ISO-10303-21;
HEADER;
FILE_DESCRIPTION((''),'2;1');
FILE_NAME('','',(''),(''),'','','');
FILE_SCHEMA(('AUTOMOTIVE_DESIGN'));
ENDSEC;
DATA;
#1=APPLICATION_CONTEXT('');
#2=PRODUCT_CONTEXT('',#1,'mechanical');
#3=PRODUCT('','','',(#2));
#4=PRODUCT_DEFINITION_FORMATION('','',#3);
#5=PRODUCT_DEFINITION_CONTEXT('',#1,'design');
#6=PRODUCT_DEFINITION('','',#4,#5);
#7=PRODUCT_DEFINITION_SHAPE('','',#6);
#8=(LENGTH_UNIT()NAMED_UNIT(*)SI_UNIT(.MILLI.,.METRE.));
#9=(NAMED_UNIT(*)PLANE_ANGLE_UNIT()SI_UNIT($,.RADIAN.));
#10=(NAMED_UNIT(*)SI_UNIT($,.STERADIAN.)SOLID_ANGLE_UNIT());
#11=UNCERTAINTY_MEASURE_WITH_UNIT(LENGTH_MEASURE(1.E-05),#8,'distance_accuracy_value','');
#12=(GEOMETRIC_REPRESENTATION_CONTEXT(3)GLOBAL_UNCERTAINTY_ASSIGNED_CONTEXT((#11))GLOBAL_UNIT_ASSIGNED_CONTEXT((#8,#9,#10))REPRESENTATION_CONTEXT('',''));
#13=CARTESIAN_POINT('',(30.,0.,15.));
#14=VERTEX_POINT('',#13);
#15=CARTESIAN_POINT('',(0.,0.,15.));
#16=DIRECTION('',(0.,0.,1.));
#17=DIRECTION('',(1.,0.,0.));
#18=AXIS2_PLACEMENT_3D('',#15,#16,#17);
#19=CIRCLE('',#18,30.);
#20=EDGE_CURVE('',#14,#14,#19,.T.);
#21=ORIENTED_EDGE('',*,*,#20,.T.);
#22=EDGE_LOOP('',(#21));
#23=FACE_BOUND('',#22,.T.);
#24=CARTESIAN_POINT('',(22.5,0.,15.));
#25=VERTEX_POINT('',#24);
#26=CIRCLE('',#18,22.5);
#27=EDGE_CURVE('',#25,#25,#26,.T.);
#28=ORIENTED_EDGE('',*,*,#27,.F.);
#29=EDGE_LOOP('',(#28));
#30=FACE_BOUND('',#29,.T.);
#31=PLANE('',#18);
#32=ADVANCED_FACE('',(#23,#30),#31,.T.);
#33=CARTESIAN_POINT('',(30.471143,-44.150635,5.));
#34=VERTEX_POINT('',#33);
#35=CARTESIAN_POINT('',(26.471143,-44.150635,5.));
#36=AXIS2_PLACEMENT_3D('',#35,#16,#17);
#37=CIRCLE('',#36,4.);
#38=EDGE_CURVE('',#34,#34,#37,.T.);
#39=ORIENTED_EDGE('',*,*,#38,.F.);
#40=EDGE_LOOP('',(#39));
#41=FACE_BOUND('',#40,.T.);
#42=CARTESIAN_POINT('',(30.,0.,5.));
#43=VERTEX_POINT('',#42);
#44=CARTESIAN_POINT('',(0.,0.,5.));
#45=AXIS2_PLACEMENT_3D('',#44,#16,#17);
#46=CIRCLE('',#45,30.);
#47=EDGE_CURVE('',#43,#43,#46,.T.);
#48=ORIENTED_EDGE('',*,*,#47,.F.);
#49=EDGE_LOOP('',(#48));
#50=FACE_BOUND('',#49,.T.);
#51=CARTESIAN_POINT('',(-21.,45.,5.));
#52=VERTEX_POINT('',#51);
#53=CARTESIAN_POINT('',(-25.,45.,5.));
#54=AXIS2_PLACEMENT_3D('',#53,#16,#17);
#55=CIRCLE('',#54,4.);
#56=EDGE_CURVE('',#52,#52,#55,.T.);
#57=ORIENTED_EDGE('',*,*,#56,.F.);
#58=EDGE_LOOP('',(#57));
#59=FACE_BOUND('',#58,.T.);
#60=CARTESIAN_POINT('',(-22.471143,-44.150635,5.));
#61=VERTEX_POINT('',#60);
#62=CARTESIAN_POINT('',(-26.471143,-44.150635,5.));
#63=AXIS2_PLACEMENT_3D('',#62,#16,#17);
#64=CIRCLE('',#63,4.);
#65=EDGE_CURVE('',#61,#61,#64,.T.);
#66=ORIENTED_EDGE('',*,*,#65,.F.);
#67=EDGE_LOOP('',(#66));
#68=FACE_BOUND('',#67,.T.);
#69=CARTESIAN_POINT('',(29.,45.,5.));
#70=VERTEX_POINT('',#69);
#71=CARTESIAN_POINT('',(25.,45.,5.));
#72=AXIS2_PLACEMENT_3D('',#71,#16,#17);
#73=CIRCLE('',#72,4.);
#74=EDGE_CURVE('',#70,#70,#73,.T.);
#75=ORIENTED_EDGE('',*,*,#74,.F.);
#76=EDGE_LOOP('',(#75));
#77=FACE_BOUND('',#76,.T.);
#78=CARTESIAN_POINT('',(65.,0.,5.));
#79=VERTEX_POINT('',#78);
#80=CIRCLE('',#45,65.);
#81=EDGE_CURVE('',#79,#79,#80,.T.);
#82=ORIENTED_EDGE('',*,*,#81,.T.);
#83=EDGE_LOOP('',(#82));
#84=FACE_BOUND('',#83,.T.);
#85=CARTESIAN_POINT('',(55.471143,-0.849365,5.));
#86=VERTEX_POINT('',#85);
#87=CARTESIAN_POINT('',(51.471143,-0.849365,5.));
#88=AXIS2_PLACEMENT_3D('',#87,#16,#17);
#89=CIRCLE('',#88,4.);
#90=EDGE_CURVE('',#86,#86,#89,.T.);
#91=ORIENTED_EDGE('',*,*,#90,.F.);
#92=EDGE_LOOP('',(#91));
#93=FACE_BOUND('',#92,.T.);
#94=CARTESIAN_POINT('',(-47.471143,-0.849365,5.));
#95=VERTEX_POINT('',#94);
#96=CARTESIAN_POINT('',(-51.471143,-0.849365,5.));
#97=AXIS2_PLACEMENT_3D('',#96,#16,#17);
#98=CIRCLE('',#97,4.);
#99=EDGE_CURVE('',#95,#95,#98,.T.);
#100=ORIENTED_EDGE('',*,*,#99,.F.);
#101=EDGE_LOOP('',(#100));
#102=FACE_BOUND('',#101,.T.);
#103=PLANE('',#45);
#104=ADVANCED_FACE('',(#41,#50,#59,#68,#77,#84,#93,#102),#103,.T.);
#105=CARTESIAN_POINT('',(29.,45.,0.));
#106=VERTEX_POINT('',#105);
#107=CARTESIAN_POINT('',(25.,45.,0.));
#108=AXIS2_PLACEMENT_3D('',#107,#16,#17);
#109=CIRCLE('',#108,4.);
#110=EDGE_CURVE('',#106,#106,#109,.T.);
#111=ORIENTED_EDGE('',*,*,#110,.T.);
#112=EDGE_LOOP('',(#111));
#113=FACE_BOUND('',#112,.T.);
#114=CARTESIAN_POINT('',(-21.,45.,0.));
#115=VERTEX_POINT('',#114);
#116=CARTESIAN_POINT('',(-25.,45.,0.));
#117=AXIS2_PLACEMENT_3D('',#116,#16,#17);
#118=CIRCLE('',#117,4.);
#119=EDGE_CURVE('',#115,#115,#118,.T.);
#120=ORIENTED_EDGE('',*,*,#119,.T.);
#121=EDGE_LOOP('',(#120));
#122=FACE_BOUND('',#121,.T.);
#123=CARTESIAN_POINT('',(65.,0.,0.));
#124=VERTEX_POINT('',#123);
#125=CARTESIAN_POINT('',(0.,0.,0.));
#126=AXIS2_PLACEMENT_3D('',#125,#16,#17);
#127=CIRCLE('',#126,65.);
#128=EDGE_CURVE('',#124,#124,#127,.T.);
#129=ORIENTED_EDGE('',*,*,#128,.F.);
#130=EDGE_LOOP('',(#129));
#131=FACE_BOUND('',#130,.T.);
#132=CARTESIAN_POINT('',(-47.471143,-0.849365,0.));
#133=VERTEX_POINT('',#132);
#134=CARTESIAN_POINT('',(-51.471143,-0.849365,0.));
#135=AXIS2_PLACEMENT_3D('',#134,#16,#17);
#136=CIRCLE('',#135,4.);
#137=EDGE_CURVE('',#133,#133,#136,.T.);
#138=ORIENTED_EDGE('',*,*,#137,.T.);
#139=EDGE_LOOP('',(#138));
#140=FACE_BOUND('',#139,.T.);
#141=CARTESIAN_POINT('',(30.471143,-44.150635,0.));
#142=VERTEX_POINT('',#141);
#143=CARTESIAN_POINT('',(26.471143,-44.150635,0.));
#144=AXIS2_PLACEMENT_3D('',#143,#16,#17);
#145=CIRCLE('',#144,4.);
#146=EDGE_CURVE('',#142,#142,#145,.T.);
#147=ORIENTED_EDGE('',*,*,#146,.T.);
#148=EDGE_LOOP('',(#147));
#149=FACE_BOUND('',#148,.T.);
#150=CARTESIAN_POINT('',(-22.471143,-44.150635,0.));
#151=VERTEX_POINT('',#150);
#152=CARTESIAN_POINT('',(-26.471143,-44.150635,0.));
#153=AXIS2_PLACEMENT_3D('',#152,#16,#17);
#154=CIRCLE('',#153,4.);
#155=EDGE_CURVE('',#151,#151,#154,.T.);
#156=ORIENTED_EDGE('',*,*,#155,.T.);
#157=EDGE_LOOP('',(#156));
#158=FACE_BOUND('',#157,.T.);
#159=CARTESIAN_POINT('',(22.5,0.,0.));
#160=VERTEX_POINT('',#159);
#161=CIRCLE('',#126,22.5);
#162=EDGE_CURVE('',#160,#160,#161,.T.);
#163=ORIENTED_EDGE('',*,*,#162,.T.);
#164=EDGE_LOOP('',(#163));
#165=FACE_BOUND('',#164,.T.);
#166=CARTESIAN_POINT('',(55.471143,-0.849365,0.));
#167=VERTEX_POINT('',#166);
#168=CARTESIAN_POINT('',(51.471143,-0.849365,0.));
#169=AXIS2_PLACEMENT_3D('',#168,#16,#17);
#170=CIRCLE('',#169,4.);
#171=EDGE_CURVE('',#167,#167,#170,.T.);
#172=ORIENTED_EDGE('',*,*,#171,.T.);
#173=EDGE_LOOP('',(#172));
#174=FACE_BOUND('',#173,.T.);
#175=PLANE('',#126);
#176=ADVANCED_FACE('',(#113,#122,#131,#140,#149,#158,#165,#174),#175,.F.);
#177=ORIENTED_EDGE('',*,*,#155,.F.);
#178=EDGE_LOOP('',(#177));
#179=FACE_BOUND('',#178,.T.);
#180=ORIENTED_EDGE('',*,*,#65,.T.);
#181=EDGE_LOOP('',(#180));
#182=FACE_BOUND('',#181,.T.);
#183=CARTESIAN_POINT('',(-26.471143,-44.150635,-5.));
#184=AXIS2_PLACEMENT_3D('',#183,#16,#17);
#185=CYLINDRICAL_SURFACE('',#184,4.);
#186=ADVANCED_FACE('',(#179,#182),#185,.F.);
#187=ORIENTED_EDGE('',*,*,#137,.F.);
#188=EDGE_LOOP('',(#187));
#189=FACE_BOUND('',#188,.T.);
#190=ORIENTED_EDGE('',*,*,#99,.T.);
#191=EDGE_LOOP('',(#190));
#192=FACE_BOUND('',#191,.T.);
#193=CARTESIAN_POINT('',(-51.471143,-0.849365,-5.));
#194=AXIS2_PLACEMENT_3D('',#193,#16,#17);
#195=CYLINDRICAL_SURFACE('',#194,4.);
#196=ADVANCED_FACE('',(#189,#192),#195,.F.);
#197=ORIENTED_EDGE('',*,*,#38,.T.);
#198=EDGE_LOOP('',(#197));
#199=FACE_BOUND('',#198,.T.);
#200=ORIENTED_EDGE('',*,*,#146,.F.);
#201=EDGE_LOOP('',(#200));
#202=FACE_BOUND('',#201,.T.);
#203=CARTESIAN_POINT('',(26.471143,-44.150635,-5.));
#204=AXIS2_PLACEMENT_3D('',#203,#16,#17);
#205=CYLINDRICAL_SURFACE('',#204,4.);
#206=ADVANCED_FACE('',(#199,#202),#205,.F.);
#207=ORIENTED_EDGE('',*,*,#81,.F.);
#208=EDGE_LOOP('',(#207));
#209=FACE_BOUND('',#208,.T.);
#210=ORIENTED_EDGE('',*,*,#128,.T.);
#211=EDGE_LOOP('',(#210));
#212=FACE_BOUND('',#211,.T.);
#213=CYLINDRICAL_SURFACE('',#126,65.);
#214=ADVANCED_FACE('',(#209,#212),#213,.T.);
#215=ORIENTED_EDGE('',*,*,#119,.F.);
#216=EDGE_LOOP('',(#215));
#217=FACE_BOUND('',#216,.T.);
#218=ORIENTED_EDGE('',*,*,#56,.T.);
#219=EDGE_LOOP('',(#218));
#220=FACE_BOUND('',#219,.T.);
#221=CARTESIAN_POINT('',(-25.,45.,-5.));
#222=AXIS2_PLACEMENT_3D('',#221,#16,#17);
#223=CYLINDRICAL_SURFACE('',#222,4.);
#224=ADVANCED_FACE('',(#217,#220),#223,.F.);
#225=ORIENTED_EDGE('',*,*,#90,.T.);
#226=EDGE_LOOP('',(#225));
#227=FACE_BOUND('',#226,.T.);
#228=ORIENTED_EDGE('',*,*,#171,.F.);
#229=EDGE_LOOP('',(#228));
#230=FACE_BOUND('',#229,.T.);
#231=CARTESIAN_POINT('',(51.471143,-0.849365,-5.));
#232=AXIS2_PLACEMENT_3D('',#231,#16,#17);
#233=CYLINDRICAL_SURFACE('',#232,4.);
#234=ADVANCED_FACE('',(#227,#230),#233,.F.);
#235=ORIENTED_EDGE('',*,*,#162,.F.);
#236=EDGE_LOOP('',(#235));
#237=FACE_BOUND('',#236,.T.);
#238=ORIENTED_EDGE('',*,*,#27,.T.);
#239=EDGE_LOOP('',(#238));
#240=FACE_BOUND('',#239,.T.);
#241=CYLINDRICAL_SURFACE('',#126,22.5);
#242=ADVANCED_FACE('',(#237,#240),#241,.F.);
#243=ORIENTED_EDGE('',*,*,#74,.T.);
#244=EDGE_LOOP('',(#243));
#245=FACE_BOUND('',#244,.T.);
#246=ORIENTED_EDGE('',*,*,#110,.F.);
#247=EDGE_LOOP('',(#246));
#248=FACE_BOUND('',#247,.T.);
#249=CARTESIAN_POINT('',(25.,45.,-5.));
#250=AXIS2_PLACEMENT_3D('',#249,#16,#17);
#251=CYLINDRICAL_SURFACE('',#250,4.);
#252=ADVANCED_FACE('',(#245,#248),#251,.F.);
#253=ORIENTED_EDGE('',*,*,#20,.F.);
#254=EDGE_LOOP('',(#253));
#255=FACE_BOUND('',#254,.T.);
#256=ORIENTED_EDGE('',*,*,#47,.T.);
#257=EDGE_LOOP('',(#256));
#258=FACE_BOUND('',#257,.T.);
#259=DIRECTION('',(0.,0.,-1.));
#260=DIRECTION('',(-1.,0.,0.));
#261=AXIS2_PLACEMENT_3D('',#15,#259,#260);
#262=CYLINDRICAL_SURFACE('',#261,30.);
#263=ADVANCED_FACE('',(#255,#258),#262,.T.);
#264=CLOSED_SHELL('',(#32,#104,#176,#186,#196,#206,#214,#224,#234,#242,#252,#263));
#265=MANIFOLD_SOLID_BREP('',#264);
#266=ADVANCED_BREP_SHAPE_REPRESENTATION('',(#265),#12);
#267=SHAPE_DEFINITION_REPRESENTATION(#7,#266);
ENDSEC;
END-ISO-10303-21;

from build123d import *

# Parameters (mm, degrees)
SKETCH1_R           = 65
BOSS_EXTRUDE1_DEPTH = 5
SKETCH11_R          = 4
CUT_EXTRUDE1_DEPTH  = 10
SKETCH12_R          = 30
BOSS_EXTRUDE2_DEPTH = 10
SKETCH13_R          = 22.5
CUT_EXTRUDE2_DEPTH  = 16


with BuildPart() as part:
    # Sketch1 → Boss-Extrude1 (new body)
    with BuildSketch(Plane.XY.offset(5)):
        Circle(SKETCH1_R)
    extrude(amount=-BOSS_EXTRUDE1_DEPTH)

    # Sketch11 → Cut-Extrude1 (cut)
    with BuildSketch(Plane.XY.offset(5)):
        with Locations((-25, 45)):
            Circle(SKETCH11_R)
        with Locations((25, 45)):
            Circle(SKETCH11_R)
        with Locations((26.47114317, -44.150635095)):
            Circle(SKETCH11_R)
        with Locations((51.47114317, -0.849364905)):
            Circle(SKETCH11_R)
        with Locations((-51.47114317, -0.849364905)):
            Circle(SKETCH11_R)
        with Locations((-26.47114317, -44.150635095)):
            Circle(SKETCH11_R)
    extrude(amount=-CUT_EXTRUDE1_DEPTH, mode=Mode.SUBTRACT)

    # Sketch12 → Boss-Extrude2 (add)
    with BuildSketch(Plane.XY.offset(5)):
        Circle(SKETCH12_R)
    extrude(amount=BOSS_EXTRUDE2_DEPTH)

    # Sketch13 → Cut-Extrude2 (cut, through all)
    with BuildSketch(Plane.XY.offset(15)):
        Circle(SKETCH13_R)
    extrude(amount=-CUT_EXTRUDE2_DEPTH, mode=Mode.SUBTRACT)


solid = part.part
